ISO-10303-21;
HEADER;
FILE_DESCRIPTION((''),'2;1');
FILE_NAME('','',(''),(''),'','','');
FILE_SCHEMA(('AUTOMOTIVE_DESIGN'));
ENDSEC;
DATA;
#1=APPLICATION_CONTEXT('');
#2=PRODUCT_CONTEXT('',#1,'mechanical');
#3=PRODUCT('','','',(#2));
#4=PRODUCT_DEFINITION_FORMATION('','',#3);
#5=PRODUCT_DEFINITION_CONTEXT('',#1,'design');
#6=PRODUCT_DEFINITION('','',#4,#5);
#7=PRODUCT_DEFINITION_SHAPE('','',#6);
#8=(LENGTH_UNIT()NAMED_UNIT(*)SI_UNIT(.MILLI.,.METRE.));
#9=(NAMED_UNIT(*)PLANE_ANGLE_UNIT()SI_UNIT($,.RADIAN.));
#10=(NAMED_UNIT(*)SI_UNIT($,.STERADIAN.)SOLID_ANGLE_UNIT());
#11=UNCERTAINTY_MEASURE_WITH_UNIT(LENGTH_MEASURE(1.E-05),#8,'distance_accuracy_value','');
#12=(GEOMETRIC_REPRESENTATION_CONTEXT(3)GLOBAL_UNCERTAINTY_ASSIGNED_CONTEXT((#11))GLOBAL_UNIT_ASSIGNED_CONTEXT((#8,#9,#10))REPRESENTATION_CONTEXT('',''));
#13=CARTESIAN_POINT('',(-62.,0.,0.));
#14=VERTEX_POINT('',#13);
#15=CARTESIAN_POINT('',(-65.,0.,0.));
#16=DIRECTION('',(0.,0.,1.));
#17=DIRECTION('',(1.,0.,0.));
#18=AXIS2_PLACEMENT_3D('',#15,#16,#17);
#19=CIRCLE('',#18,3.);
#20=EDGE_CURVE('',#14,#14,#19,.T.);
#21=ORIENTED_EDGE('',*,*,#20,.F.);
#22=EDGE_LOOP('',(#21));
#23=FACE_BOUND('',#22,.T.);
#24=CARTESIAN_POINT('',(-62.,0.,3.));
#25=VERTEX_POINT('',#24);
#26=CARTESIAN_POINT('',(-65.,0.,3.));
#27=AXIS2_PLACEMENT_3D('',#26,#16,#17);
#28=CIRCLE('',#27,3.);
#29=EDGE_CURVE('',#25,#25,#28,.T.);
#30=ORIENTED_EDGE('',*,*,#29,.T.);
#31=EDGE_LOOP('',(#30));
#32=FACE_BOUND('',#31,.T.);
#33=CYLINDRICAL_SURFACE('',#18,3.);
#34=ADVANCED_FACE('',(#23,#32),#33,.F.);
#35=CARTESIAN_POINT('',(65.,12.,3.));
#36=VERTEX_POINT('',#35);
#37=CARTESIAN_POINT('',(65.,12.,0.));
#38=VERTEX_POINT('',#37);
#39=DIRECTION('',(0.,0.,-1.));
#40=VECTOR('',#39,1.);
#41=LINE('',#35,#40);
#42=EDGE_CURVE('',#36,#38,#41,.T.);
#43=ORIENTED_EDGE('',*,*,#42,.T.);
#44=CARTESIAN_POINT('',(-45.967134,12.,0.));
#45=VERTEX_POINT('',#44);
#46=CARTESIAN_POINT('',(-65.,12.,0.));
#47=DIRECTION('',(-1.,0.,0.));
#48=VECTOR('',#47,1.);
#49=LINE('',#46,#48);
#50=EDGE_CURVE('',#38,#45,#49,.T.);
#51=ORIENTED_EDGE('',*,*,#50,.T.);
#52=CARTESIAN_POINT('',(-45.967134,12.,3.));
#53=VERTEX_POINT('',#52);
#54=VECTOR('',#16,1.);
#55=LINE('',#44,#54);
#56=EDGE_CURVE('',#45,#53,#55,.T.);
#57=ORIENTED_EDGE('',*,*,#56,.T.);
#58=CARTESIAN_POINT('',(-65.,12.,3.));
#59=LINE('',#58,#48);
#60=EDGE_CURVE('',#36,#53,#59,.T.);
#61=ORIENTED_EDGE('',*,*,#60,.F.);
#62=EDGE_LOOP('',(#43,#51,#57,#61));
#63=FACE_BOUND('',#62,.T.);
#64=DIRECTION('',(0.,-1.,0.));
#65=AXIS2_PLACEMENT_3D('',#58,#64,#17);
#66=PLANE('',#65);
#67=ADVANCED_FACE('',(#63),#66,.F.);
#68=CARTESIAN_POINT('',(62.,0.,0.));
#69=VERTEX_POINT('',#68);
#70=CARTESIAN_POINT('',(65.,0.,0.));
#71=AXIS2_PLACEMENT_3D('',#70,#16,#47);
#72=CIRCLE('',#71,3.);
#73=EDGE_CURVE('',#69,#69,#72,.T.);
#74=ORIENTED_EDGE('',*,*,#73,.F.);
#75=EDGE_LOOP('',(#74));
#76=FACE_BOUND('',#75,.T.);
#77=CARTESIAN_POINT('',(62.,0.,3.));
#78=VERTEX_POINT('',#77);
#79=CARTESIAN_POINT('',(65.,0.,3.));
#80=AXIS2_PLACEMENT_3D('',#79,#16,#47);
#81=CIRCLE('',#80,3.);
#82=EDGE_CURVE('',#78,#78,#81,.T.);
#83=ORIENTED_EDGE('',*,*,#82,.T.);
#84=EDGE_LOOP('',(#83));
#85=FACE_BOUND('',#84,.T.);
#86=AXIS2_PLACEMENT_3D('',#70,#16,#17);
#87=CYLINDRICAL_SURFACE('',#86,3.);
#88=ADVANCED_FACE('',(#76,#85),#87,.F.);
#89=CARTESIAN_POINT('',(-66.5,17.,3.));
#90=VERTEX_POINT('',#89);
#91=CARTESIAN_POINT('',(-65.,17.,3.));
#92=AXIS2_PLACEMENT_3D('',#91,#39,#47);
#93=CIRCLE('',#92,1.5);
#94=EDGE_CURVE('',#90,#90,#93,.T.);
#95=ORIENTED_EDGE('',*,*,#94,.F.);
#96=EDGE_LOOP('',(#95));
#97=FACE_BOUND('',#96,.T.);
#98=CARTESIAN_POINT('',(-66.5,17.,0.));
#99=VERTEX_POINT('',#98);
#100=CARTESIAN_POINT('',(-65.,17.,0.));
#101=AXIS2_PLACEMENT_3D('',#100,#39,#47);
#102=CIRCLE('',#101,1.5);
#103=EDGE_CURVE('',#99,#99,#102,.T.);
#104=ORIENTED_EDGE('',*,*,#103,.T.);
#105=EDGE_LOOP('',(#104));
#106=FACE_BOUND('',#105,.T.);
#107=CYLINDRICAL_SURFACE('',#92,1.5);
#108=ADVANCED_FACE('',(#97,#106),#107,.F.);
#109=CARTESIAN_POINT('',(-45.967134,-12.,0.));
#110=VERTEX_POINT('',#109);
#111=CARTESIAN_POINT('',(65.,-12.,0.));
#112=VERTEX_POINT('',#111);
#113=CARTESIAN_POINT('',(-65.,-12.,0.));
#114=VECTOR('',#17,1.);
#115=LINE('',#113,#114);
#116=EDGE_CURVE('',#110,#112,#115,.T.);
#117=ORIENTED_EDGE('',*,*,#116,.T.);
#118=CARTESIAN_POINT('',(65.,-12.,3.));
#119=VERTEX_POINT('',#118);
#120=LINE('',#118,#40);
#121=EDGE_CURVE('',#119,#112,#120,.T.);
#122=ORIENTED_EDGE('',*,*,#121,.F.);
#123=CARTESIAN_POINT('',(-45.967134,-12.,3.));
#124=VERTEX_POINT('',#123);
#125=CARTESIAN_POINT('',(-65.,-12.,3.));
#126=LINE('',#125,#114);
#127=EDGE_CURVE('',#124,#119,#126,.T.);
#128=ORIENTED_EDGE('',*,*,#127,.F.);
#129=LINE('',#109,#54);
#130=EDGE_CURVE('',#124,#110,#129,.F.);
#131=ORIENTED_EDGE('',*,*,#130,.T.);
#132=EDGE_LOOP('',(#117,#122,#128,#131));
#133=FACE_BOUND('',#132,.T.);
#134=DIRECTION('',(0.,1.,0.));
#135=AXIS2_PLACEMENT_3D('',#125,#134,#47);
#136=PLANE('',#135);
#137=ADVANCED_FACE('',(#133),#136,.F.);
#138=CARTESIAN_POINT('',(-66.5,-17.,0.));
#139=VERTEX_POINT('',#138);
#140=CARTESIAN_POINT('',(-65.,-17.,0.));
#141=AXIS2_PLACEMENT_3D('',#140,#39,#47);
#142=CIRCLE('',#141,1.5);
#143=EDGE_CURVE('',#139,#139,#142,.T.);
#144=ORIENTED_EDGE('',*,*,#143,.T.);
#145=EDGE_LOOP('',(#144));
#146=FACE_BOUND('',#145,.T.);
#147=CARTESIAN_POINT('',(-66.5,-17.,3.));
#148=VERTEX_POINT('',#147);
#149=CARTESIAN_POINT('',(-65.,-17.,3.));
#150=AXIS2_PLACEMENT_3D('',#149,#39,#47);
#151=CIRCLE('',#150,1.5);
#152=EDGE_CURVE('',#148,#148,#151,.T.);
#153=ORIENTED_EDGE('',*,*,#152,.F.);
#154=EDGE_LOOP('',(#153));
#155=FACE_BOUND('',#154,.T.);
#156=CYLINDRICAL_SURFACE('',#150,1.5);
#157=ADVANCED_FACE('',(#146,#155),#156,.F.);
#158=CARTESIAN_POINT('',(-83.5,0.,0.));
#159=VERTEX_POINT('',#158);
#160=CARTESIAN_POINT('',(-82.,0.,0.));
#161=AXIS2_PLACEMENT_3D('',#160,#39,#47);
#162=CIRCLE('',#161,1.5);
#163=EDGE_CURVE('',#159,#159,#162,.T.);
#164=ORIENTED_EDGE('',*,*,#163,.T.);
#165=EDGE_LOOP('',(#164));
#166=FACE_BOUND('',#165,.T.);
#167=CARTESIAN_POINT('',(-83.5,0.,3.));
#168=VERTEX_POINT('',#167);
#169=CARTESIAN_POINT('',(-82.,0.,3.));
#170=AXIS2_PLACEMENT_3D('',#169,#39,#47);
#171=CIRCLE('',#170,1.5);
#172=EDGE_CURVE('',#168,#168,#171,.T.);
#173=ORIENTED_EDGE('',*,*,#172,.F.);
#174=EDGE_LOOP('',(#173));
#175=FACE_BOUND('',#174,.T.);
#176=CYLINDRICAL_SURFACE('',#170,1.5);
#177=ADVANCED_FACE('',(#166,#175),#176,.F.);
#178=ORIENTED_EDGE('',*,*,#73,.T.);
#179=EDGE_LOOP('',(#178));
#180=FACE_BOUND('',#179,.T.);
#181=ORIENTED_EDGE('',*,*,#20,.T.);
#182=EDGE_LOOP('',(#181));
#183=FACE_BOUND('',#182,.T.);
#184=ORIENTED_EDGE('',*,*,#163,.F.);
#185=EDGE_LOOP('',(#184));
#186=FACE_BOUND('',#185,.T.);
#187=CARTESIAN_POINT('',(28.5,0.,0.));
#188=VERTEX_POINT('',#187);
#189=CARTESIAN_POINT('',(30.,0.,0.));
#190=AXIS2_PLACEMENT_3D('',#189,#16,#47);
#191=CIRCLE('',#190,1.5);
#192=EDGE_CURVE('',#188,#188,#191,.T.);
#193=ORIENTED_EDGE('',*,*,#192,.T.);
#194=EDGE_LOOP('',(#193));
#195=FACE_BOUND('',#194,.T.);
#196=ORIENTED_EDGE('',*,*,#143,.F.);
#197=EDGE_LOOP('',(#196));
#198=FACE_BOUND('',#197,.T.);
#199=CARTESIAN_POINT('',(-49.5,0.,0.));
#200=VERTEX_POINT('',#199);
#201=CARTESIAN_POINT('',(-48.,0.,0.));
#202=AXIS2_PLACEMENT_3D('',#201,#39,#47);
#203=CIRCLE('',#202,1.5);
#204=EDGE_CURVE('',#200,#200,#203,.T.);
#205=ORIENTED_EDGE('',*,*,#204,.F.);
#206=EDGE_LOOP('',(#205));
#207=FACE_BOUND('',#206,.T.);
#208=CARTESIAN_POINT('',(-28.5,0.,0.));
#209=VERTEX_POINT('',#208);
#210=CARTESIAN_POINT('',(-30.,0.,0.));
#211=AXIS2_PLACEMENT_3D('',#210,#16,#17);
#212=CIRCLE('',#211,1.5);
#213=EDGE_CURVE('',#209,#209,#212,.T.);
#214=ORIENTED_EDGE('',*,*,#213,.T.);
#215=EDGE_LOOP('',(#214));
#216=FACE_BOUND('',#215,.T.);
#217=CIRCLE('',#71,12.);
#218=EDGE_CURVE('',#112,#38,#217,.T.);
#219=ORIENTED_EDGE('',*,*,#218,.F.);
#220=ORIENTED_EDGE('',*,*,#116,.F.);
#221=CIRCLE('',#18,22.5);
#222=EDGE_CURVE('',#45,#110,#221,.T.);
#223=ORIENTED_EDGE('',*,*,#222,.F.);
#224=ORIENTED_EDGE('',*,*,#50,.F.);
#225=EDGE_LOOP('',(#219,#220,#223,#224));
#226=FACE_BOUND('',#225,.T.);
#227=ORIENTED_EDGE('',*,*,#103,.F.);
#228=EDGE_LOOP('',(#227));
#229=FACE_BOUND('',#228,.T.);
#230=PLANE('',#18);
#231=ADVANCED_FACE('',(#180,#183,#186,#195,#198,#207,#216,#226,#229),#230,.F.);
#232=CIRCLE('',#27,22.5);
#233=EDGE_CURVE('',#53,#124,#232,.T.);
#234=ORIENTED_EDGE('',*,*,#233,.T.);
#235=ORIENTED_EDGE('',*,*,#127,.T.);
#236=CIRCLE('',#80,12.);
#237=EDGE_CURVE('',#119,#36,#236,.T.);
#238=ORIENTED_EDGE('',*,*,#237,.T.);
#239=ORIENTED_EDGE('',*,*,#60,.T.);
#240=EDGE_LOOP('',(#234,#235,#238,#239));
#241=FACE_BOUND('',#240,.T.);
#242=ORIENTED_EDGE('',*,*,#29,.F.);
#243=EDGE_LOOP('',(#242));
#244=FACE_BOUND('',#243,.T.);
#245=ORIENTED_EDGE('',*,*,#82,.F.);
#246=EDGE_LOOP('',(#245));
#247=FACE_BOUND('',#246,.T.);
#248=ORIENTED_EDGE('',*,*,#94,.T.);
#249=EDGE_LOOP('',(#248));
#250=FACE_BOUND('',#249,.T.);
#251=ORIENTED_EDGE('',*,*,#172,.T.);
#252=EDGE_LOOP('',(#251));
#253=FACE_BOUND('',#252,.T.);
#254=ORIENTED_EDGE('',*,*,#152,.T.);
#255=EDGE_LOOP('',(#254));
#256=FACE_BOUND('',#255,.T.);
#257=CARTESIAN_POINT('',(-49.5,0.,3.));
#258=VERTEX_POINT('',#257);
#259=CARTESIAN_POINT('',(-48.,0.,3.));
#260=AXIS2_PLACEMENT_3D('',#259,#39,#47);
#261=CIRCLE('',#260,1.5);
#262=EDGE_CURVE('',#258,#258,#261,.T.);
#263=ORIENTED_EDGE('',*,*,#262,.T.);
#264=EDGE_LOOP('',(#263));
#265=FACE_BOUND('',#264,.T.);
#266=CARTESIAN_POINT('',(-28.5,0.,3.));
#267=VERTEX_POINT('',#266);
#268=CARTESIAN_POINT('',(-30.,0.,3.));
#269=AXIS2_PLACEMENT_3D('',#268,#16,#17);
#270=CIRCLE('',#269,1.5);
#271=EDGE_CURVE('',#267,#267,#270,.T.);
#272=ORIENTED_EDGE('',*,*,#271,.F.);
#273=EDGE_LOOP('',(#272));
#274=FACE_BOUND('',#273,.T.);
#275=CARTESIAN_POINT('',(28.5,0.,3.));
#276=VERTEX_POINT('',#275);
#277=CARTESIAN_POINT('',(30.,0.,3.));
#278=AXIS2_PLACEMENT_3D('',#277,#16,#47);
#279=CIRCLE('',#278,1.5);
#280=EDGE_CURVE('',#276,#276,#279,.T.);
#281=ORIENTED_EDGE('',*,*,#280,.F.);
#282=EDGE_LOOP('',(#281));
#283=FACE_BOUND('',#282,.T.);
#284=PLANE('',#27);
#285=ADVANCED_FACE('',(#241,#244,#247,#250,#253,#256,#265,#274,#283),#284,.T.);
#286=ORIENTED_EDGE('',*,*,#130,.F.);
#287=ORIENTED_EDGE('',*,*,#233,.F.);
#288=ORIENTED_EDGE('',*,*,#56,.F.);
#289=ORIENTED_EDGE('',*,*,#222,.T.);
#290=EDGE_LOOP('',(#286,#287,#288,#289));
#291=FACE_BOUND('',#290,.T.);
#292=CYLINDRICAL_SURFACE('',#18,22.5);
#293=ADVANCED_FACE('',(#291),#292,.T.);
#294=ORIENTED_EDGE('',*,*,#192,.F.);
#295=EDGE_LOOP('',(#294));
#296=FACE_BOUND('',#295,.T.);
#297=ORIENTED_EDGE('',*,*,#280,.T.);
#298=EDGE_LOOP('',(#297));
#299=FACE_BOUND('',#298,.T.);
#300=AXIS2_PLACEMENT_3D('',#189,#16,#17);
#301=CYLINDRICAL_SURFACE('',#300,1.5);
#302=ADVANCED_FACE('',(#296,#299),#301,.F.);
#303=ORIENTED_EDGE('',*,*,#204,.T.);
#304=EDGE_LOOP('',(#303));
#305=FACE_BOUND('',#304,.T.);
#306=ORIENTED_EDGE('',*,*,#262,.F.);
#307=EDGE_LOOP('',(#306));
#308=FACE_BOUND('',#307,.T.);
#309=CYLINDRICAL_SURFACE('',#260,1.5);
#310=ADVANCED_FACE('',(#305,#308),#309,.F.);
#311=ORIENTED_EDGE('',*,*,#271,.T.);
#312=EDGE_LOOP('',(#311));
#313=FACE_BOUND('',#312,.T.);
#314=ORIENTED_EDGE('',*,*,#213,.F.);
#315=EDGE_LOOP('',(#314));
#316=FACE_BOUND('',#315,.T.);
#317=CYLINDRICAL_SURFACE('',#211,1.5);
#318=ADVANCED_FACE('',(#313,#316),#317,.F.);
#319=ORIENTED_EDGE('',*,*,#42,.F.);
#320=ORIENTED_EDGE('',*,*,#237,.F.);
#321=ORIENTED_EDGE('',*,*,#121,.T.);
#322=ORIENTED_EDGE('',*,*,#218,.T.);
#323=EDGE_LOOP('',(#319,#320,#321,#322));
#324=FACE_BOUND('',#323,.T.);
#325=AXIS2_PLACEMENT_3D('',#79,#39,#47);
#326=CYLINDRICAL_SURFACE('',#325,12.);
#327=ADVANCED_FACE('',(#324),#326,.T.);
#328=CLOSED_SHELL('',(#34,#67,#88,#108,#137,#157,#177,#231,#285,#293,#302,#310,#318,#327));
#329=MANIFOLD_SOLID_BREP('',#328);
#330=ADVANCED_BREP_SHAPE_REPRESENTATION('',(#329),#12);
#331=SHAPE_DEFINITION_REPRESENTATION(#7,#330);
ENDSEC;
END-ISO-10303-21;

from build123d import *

# Parameters (mm, degrees)
BOSS_EXTRU_1_DEPTH      = 3
ESQUISSE2_R             = 3
ESQUISSE2_R_2           = 1.5
ENL_V_MAT_EXTRU_1_DEPTH = 78.987178433
ESQUISSE3_R             = 22.5
ESQUISSE3_R_2           = 3
BOSS_EXTRU_2_DEPTH      = 3
ESQUISSE4_R             = 1.5
ENL_V_MAT_EXTRU_2_DEPTH = 91.396349484


with BuildPart() as part:
    # Esquisse1 → Boss.-Extru.1 (new body)
    with BuildSketch(Plane.XY):
        with BuildLine():
            Line((-65, 12), (65, 12))
            ThreePointArc((65, 12), (77, 0), (65, -12))
            Line((65, -12), (-65, -12))
            ThreePointArc((-65, -12), (-77, 0), (-65, 12))
        make_face()
    extrude(amount=BOSS_EXTRU_1_DEPTH)

    # Esquisse2 → Enlèv. mat.-Extru.1 (cut, through all)
    with BuildSketch(Plane.XY.offset(3)):
        with Locations((-65, 0)):
            Circle(ESQUISSE2_R)
        with Locations(Location((65, 0, 0), (0, 0, 180))):
            Circle(ESQUISSE2_R)
        with Locations((-30, 0)):
            Circle(ESQUISSE2_R_2)
        with Locations(Location((30, 0, 0), (0, 0, 180))):
            Circle(ESQUISSE2_R_2)
    extrude(amount=-ENL_V_MAT_EXTRU_1_DEPTH, mode=Mode.SUBTRACT)

    # Esquisse3 → Boss.-Extru.2 (add)
    with BuildSketch(Plane.XY.offset(3)):
        with Locations((-65, 0)):
            Circle(ESQUISSE3_R)
        with Locations((-65, 0)):
            Circle(ESQUISSE3_R_2, mode=Mode.SUBTRACT)
    extrude(amount=-BOSS_EXTRU_2_DEPTH)

    # Esquisse4 → Enlèv. mat.-Extru.2 (cut, through all)
    with BuildSketch(Plane(origin=(0, 0, 0), x_dir=(-1, 0, 0), z_dir=(0, 0, -1))):
        with Locations((65, 17)):
            Circle(ESQUISSE4_R)
        with Locations((82, 0)):
            Circle(ESQUISSE4_R)
        with Locations((65, -17)):
            Circle(ESQUISSE4_R)
        with Locations((48, 0)):
            Circle(ESQUISSE4_R)
    extrude(amount=-ENL_V_MAT_EXTRU_2_DEPTH, mode=Mode.SUBTRACT)


solid = part.part
